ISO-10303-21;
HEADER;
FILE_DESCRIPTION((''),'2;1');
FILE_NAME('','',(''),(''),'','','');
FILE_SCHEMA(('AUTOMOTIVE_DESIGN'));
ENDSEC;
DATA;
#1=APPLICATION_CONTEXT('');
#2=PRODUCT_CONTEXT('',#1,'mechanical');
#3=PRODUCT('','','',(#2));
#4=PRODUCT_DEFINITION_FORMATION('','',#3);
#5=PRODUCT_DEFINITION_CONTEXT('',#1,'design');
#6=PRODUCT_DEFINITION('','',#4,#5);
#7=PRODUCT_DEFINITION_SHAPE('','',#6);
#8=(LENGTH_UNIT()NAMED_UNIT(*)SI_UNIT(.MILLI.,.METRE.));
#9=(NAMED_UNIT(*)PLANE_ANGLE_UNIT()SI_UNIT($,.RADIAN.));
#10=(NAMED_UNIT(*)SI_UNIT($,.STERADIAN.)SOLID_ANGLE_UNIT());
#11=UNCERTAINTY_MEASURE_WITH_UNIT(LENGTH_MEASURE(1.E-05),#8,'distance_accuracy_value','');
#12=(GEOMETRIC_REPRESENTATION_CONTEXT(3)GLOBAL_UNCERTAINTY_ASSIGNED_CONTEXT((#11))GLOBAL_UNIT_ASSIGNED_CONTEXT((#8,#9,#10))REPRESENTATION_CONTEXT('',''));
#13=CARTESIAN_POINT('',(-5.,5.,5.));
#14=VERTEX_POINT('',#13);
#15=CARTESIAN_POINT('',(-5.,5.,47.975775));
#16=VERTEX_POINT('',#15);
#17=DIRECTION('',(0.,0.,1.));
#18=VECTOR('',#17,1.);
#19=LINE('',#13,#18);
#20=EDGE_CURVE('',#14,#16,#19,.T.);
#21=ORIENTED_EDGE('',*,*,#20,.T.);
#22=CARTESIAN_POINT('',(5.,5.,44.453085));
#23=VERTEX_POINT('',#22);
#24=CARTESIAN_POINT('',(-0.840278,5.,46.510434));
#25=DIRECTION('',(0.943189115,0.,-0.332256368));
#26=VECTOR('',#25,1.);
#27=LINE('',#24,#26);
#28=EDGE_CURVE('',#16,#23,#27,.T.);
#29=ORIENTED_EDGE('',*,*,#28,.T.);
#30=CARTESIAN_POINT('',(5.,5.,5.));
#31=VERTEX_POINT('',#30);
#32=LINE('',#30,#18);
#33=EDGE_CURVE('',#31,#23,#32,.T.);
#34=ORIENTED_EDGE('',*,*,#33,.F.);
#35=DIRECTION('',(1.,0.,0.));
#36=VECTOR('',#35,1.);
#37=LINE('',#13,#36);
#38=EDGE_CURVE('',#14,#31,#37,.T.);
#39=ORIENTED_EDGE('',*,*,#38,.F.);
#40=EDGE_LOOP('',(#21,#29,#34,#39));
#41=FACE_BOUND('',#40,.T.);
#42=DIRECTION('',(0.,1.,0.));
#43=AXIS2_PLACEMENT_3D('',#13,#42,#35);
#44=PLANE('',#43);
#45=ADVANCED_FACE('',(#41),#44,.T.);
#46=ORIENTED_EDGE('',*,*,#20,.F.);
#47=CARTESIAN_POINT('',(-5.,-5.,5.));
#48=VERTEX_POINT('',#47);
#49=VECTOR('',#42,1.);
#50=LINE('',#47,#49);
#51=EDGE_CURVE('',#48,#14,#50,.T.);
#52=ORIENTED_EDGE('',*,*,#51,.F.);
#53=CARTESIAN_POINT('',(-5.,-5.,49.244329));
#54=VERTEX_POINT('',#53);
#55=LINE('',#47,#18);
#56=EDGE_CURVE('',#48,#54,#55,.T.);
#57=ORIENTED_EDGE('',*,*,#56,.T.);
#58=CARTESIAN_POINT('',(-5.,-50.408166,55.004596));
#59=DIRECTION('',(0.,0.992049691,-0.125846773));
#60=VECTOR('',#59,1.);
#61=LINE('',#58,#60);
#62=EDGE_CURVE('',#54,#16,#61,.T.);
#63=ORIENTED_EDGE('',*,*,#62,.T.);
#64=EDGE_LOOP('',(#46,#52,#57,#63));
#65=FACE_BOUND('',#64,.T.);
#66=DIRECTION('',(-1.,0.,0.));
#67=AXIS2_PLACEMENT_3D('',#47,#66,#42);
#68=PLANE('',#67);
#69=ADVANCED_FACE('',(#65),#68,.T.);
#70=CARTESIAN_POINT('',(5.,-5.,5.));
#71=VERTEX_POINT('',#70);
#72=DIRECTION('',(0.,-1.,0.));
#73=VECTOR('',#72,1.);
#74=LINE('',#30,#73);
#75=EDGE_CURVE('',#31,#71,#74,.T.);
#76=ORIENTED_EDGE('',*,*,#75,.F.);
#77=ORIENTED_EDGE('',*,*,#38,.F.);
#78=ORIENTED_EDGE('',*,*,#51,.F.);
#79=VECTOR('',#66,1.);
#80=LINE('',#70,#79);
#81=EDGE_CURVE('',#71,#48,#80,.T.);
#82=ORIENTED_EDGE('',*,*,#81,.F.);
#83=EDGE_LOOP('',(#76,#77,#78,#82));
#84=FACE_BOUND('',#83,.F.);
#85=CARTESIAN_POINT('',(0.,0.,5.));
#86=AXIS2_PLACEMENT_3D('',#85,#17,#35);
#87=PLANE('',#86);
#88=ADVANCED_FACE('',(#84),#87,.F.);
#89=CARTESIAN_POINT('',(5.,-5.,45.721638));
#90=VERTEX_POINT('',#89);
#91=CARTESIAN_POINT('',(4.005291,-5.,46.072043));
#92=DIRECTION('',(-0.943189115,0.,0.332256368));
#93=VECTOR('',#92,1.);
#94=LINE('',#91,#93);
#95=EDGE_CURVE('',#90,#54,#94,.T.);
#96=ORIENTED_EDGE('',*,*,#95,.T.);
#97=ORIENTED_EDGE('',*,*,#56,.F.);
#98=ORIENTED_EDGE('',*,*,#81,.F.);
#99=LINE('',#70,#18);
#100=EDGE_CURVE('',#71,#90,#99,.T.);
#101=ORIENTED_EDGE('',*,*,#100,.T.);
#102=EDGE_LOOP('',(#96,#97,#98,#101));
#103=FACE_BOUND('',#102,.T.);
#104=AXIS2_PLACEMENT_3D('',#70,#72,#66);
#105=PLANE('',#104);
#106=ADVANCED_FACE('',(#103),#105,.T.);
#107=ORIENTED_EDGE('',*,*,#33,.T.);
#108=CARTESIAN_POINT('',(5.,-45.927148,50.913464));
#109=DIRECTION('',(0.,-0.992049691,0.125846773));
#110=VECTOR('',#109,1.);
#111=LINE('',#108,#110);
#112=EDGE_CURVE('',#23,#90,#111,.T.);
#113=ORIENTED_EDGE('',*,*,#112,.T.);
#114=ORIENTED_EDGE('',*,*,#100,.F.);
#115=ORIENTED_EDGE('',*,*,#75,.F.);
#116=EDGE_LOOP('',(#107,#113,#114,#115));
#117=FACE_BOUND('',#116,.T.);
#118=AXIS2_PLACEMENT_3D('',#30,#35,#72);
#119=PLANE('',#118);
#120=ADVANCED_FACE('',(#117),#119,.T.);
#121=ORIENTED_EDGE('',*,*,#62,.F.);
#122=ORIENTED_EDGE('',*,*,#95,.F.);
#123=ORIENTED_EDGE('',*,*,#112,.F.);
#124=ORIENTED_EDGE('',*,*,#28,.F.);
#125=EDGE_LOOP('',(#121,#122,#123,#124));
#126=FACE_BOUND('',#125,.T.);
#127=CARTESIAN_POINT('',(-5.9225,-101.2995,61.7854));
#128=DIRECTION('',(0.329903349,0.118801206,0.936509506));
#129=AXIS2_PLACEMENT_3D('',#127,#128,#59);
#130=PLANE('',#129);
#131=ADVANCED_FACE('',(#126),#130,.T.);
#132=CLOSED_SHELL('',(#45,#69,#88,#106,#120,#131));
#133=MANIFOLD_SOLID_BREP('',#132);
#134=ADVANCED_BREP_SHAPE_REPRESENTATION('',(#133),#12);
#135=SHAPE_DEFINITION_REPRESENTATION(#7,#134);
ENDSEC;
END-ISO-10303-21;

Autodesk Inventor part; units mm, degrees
ref_plane "Start Plane" through (0, 0, 5) normal (0, 0, 1) x (1, 0, 0)
ref_plane "End Plane" through (0, 0, 49.2474) normal (0, 0, 1) x (1, 0, 0)
sketch "Sketch" plane through (0, 0, 0) normal (0, 0, 1) x (1, 0, 0)
  line L0 (5, -5) -> (-5, -5)
  line L1 (-5, -5) -> (-5, 5)
  line L2 (-5, 5) -> (5, 5)
  line L3 (5, 5) -> (5, -5)
  line L4 (-6, 0) -> (8, 0) construction
  line L5 (0, -30) -> (0, 40) construction
  line L6 (0, 54) -> (0, -44) construction
  line L7 (-9.2, 0) -> (13.2, 0) construction
  dimension "d0" = 10
  dimension "d1" = 10
  dimension "d4" = 5
  dimension "d5" = 5
extrude "Body" add sketch "Sketch" along normal up to surface (44.2474 mm away) from surface at 5
sketch "Sketch3" plane through (0, 0, 0) normal (0, 0, 1) x (1, 0, 0)
  line L0 (0, 0) -> (10, 0)
ref_plane "Work Plane3" through (0, 0, 0) normal (0, -1, 0) x (1, 0, 0)
sketch "Sketch4" plane through (0, 0, 0) normal (0, -1, 0) x (1, 0, 0)
  line L0 (-2, 5) -> (12, 5)
  line L1 (-2, 49.2474) -> (12, 49.2474)
  dimension "d9" = 44.2474
ref_plane "Work Plane4" through (-5.9225, -101.2995, 61.7854) normal (0.3299, 0.1188, 0.9365) x (0.9438, -0.0202, -0.3299)
split "Split1" plane through (-5.9225, -101.2995, 61.7854) removes the side toward (0.3299, 0.1188, 0.9365)
ref_plane "Work Plane5" through (-24.7397, 52.8201, 5) normal (0, 0, -1) x (-1, 0, 0)
split "Split2" plane through (-24.7397, 52.8201, 5) removes the side toward (0, 0, -1)
equation "\"d0\" = G_W"
equation "\"d1\" = G_H"
equation "\"d4\" = 0.5 * d1"
equation "\"d5\" = 0.5 * d0"
equation "\"d2\" = G_L"
equation "\"G_W\" = 10"
equation "\"G_H\" = 10"
equation "\"G_L\" = d9"
equation "\"G_OFFSET_START\" = -5"
equation "\"G_OFFSET_END\" = -8.2824"
equation "\"d6\" = -G_OFFSET_START"
equation "\"d7\" = G_OFFSET_END + B_L"
equation "\"B_L\" = 57.52978"
properties part number "ISO 1035/2 - 10 x 10 - 44.25" material "Steel, Mild"
